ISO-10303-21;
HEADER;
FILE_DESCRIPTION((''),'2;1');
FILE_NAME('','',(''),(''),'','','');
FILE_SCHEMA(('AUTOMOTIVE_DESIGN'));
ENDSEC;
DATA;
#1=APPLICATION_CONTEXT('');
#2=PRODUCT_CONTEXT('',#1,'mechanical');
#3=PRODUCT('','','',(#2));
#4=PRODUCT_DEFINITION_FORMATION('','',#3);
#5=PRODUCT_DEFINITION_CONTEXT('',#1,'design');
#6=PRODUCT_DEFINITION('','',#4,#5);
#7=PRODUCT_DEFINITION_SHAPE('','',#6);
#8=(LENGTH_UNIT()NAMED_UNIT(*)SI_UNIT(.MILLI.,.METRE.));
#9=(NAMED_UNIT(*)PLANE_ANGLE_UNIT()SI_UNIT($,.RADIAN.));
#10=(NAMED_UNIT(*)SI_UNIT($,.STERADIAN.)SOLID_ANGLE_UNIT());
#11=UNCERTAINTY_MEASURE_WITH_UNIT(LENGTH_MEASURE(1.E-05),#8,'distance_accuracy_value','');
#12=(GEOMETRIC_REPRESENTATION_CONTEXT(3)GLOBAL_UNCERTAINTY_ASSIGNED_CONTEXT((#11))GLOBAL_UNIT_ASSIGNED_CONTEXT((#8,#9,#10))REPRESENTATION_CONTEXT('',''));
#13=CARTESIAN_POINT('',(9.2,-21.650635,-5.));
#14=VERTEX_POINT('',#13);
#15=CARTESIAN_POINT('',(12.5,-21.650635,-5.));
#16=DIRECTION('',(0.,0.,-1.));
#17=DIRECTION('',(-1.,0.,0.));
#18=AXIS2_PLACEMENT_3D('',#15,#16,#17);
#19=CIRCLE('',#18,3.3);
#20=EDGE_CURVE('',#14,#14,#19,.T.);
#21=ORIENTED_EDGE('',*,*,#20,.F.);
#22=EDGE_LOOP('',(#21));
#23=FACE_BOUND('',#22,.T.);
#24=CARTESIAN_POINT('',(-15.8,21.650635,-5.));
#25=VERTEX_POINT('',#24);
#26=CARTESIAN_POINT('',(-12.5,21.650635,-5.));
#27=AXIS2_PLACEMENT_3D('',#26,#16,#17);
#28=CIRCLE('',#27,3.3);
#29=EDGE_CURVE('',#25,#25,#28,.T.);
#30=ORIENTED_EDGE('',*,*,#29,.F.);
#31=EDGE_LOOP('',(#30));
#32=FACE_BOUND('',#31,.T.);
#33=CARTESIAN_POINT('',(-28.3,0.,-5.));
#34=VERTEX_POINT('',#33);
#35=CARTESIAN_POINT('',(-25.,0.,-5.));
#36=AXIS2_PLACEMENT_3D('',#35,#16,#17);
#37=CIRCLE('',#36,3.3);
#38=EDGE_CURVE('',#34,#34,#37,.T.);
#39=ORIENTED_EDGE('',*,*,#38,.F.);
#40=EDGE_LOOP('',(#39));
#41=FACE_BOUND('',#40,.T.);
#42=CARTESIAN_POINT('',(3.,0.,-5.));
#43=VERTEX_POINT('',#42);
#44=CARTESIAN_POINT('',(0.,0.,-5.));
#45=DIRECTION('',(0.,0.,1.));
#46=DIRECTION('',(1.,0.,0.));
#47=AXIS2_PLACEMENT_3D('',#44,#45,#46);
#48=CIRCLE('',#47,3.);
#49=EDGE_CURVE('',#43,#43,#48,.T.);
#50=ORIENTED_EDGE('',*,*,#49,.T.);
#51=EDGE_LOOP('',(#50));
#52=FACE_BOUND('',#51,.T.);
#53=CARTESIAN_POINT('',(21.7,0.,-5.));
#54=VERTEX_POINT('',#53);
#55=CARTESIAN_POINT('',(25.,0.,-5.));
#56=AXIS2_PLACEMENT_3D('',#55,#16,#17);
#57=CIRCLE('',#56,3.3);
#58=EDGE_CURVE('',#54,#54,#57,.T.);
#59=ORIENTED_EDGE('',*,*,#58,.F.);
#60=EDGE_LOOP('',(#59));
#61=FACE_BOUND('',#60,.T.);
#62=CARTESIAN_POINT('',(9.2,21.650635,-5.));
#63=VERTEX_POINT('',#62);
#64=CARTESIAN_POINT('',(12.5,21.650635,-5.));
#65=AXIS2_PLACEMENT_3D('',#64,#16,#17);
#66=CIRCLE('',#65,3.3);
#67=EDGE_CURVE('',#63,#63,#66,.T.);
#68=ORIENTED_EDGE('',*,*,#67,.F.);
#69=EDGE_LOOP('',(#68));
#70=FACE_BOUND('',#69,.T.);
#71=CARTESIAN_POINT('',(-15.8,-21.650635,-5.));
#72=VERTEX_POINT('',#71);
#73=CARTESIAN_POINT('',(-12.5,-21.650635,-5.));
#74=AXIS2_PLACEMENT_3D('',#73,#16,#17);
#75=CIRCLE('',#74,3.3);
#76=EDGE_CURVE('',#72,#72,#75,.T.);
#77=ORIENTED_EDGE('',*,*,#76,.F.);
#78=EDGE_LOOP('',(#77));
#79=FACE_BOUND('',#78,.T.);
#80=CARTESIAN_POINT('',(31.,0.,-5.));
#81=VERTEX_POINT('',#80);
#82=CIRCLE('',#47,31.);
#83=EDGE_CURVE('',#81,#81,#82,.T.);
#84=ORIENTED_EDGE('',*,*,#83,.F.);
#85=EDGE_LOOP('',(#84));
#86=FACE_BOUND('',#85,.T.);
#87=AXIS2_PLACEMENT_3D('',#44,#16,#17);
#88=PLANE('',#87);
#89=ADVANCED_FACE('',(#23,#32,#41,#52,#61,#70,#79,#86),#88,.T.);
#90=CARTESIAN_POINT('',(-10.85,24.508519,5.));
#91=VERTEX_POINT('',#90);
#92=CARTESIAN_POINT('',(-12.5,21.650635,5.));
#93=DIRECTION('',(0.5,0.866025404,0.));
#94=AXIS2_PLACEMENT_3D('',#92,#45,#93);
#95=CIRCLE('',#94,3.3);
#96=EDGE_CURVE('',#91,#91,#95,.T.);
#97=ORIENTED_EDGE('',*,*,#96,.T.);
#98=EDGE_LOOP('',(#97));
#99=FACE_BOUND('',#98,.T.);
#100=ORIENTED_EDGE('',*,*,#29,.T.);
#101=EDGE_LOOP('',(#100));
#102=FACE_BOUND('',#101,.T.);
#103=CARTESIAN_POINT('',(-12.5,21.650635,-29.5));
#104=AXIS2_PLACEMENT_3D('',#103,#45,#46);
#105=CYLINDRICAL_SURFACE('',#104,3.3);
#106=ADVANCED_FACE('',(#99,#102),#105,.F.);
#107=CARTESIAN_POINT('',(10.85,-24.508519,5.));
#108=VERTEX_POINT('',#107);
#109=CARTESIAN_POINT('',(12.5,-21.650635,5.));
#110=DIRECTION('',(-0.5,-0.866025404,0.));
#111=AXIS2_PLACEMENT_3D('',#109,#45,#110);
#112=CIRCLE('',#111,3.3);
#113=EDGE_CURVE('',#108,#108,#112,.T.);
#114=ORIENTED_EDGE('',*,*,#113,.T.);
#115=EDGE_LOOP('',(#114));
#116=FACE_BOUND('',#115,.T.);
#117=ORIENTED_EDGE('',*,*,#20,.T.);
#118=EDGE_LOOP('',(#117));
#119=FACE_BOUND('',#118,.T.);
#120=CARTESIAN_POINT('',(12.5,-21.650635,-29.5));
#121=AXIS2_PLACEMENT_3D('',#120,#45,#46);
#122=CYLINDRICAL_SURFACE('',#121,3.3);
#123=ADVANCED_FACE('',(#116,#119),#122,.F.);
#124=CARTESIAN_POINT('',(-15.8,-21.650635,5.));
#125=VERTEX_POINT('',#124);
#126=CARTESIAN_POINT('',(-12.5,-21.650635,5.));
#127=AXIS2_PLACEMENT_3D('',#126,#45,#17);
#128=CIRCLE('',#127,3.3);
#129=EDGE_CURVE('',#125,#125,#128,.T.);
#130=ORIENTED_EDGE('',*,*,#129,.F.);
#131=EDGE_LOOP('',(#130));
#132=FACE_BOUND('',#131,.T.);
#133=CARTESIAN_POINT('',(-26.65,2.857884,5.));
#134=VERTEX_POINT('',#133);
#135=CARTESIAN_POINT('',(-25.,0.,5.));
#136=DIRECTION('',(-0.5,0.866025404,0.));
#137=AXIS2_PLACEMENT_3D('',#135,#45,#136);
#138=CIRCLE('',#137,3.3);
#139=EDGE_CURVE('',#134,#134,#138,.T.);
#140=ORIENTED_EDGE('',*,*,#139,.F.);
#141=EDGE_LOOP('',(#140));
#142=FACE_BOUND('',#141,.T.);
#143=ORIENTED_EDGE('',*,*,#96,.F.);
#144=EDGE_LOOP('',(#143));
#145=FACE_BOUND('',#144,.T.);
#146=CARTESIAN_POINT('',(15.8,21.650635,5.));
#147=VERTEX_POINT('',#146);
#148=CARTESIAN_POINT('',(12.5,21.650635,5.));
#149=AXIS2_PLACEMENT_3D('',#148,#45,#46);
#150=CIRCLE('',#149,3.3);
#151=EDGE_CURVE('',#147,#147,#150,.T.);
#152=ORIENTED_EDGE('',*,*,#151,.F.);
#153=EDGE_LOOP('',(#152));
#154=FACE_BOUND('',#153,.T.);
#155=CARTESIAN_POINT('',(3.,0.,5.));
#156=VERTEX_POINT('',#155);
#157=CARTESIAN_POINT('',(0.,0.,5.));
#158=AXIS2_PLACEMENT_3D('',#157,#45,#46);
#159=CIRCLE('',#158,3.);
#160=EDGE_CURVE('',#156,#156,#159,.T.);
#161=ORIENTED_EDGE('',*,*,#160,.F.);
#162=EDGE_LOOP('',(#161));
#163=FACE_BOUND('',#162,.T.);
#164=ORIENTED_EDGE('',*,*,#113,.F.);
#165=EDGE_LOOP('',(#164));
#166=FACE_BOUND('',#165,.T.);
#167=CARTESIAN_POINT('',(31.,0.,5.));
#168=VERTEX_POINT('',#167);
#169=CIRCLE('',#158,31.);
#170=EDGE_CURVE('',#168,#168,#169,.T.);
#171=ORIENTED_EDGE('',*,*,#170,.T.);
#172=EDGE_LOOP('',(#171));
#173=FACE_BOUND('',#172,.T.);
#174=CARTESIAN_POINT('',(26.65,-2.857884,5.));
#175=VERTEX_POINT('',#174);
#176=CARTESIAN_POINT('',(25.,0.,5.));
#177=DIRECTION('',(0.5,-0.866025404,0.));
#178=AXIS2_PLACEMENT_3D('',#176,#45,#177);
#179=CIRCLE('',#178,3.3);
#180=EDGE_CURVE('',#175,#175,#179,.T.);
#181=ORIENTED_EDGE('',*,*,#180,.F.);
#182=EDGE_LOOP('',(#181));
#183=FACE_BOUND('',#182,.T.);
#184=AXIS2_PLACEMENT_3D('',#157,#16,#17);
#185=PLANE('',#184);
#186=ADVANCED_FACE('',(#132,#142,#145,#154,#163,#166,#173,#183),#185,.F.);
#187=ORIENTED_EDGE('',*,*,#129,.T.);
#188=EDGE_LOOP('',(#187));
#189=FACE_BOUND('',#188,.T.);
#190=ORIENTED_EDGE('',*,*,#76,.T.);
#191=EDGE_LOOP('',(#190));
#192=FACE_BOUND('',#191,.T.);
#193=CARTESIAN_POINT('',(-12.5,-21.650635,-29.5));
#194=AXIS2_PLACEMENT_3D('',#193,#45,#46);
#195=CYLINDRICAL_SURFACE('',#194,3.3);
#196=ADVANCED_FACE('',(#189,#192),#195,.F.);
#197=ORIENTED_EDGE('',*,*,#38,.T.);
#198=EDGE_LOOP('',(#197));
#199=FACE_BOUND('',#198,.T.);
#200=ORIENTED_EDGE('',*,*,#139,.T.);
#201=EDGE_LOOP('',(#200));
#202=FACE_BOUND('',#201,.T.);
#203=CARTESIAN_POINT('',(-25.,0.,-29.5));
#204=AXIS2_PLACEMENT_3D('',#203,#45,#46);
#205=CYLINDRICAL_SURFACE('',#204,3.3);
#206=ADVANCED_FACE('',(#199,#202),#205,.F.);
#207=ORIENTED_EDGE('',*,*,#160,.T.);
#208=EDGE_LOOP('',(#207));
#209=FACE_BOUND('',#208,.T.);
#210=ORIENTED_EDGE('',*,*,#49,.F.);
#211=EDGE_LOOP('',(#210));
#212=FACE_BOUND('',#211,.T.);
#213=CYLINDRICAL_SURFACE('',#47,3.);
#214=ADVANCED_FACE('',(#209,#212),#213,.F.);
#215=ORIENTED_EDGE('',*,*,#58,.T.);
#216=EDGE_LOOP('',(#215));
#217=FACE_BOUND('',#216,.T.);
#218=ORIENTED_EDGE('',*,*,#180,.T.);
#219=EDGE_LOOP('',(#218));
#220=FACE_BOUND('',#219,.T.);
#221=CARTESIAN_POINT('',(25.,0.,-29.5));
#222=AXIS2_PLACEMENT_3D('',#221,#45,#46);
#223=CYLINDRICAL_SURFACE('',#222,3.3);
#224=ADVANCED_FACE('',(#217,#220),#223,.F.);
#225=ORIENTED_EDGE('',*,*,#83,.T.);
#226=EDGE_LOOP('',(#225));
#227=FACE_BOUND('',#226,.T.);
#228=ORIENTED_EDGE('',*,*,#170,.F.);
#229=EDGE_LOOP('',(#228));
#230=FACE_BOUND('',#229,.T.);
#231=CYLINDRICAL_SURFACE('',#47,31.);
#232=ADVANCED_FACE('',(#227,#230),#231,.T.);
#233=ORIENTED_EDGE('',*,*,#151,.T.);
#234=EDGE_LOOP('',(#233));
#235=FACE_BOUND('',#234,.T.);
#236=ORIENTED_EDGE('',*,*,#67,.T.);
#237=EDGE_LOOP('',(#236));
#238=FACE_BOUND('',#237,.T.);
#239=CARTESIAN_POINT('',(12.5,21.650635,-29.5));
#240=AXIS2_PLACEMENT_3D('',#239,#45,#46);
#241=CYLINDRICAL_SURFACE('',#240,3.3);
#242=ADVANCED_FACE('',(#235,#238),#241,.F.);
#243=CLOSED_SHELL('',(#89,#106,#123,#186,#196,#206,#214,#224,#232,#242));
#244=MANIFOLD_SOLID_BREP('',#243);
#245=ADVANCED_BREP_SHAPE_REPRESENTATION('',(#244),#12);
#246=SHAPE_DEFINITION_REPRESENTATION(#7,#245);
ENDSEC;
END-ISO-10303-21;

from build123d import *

# Parameters (mm, degrees)
ESBO_O2_W                = 80
ESBO_O2_H                = 117.2
RESSALTO_EXTRUS_O2_DEPTH = 5
ESBO_O3_R                = 3
CORTE_EXTRUS_O1_DEPTH    = 11
ESBO_O4_R                = 3.3
CORTE_EXTRUS_O2_DEPTH    = 34.5
PADR_OCIRCULAR1_COUNT    = 6
ESBO_O12_W               = 80
ESBO_O12_H               = 17.2
CORTE_EXTRUS_O7_DEPTH    = 11
ESBO_O13_W               = 80
ESBO_O13_H               = 100
ESBO_O13_R               = 31
CORTE_EXTRUS_O8_DEPTH    = 11


with BuildPart() as part:
    # Esboço2 → Ressalto-extrusão2 (new body, symmetric)
    with BuildSketch(Plane.XY):
        Rectangle(ESBO_O2_W, ESBO_O2_H)
    extrude(amount=RESSALTO_EXTRUS_O2_DEPTH, both=True)

    # Esboço3 → Corte-extrusão1 (cut, through all)
    with BuildSketch(Plane.XY.offset(5)):
        Circle(ESBO_O3_R)
    extrude(amount=-CORTE_EXTRUS_O1_DEPTH, mode=Mode.SUBTRACT)

    # Esboço4 → Corte-extrusão2 (cut)
    with BuildSketch(Plane.XY.offset(5)):
        with Locations((12.5, 21.650635095)):
            Circle(ESBO_O4_R)
    corte_extrus_o2 = extrude(amount=-CORTE_EXTRUS_O2_DEPTH, mode=Mode.SUBTRACT)

    # PadrãoCircular1: Corte-extrusão2 ×6 about axis
    padr_ocircular1_axis = Axis((0, 0, 0), (0, 0, 1))
    for i in range(1, PADR_OCIRCULAR1_COUNT):
        add(corte_extrus_o2.rotate(padr_ocircular1_axis, i * 360 / PADR_OCIRCULAR1_COUNT), mode=Mode.SUBTRACT)

    # Esboço12 → Corte-extrusão7 (cut, through all)
    with BuildSketch(Plane.XY.offset(5)):
        with Locations((0, -50)):
            Rectangle(ESBO_O12_W, ESBO_O12_H)
    extrude(amount=-CORTE_EXTRUS_O7_DEPTH, mode=Mode.SUBTRACT)

    # Esboço13 → Corte-extrusão8 (cut, through all)
    with BuildSketch(Plane.XY.offset(5)):
        with Locations((0, 8.6)):
            Rectangle(ESBO_O13_W, ESBO_O13_H)
        Circle(ESBO_O13_R, mode=Mode.SUBTRACT)
    extrude(amount=-CORTE_EXTRUS_O8_DEPTH, mode=Mode.SUBTRACT)


solid = part.part
